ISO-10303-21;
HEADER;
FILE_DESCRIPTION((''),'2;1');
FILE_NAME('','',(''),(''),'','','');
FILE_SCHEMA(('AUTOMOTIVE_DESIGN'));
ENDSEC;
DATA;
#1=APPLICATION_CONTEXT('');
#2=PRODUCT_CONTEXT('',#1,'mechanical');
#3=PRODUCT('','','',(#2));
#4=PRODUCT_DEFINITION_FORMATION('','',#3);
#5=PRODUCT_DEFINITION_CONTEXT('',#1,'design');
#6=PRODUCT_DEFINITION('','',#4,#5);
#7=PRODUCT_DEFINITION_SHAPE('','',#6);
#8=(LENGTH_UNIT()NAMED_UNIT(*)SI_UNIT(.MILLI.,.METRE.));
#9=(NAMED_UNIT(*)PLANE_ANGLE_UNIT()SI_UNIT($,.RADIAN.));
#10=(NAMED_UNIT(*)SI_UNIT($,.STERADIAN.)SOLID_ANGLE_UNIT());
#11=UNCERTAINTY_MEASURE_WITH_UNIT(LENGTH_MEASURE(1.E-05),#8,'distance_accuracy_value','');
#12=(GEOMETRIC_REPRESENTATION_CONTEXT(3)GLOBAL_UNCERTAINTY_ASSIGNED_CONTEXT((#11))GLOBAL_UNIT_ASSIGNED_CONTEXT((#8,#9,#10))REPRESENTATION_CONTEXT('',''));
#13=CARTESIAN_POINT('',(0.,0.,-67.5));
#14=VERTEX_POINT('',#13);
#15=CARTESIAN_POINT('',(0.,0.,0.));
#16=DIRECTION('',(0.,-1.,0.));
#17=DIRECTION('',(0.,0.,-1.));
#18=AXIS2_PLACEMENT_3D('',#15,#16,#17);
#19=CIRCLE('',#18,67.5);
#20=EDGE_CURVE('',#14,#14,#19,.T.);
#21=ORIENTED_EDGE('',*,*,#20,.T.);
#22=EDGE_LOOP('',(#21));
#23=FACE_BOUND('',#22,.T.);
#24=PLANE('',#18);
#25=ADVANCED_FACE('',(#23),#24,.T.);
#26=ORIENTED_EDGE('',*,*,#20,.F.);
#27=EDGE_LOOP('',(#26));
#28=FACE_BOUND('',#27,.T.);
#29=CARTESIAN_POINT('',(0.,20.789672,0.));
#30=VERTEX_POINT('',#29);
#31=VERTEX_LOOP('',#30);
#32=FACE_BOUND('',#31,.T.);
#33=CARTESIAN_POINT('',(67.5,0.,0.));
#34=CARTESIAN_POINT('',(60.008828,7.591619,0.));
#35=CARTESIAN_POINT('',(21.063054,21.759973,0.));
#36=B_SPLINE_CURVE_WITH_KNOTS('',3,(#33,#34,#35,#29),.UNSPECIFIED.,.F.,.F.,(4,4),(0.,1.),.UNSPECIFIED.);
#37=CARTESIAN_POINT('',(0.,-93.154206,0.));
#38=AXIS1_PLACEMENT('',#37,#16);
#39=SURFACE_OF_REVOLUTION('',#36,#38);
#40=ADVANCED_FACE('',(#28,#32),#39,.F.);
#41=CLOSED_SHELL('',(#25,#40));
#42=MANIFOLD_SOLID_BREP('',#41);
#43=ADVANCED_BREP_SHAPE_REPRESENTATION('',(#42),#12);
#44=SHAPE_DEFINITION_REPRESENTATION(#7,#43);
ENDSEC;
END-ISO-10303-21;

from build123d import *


with BuildPart() as part:
    # Sketch1 → Revolve1 (revolve)
    with BuildSketch(Plane.XY):
        with BuildLine():
            Line((0, 20.78967169), (0, 0))
            Line((0, 0), (67.5, 0))
            add(Edge.make_bspline(
                [(67.5, 0), (60.008828159, 7.591619238), (21.063054211, 21.75997284), (0, 20.78967169)],
                knots=[0, 0, 0, 0, 1, 1, 1, 1], degree=3))
        make_face()
    revolve(axis=Axis((0, -93.154205607, 0), (0, 1, 0)))


solid = part.part
